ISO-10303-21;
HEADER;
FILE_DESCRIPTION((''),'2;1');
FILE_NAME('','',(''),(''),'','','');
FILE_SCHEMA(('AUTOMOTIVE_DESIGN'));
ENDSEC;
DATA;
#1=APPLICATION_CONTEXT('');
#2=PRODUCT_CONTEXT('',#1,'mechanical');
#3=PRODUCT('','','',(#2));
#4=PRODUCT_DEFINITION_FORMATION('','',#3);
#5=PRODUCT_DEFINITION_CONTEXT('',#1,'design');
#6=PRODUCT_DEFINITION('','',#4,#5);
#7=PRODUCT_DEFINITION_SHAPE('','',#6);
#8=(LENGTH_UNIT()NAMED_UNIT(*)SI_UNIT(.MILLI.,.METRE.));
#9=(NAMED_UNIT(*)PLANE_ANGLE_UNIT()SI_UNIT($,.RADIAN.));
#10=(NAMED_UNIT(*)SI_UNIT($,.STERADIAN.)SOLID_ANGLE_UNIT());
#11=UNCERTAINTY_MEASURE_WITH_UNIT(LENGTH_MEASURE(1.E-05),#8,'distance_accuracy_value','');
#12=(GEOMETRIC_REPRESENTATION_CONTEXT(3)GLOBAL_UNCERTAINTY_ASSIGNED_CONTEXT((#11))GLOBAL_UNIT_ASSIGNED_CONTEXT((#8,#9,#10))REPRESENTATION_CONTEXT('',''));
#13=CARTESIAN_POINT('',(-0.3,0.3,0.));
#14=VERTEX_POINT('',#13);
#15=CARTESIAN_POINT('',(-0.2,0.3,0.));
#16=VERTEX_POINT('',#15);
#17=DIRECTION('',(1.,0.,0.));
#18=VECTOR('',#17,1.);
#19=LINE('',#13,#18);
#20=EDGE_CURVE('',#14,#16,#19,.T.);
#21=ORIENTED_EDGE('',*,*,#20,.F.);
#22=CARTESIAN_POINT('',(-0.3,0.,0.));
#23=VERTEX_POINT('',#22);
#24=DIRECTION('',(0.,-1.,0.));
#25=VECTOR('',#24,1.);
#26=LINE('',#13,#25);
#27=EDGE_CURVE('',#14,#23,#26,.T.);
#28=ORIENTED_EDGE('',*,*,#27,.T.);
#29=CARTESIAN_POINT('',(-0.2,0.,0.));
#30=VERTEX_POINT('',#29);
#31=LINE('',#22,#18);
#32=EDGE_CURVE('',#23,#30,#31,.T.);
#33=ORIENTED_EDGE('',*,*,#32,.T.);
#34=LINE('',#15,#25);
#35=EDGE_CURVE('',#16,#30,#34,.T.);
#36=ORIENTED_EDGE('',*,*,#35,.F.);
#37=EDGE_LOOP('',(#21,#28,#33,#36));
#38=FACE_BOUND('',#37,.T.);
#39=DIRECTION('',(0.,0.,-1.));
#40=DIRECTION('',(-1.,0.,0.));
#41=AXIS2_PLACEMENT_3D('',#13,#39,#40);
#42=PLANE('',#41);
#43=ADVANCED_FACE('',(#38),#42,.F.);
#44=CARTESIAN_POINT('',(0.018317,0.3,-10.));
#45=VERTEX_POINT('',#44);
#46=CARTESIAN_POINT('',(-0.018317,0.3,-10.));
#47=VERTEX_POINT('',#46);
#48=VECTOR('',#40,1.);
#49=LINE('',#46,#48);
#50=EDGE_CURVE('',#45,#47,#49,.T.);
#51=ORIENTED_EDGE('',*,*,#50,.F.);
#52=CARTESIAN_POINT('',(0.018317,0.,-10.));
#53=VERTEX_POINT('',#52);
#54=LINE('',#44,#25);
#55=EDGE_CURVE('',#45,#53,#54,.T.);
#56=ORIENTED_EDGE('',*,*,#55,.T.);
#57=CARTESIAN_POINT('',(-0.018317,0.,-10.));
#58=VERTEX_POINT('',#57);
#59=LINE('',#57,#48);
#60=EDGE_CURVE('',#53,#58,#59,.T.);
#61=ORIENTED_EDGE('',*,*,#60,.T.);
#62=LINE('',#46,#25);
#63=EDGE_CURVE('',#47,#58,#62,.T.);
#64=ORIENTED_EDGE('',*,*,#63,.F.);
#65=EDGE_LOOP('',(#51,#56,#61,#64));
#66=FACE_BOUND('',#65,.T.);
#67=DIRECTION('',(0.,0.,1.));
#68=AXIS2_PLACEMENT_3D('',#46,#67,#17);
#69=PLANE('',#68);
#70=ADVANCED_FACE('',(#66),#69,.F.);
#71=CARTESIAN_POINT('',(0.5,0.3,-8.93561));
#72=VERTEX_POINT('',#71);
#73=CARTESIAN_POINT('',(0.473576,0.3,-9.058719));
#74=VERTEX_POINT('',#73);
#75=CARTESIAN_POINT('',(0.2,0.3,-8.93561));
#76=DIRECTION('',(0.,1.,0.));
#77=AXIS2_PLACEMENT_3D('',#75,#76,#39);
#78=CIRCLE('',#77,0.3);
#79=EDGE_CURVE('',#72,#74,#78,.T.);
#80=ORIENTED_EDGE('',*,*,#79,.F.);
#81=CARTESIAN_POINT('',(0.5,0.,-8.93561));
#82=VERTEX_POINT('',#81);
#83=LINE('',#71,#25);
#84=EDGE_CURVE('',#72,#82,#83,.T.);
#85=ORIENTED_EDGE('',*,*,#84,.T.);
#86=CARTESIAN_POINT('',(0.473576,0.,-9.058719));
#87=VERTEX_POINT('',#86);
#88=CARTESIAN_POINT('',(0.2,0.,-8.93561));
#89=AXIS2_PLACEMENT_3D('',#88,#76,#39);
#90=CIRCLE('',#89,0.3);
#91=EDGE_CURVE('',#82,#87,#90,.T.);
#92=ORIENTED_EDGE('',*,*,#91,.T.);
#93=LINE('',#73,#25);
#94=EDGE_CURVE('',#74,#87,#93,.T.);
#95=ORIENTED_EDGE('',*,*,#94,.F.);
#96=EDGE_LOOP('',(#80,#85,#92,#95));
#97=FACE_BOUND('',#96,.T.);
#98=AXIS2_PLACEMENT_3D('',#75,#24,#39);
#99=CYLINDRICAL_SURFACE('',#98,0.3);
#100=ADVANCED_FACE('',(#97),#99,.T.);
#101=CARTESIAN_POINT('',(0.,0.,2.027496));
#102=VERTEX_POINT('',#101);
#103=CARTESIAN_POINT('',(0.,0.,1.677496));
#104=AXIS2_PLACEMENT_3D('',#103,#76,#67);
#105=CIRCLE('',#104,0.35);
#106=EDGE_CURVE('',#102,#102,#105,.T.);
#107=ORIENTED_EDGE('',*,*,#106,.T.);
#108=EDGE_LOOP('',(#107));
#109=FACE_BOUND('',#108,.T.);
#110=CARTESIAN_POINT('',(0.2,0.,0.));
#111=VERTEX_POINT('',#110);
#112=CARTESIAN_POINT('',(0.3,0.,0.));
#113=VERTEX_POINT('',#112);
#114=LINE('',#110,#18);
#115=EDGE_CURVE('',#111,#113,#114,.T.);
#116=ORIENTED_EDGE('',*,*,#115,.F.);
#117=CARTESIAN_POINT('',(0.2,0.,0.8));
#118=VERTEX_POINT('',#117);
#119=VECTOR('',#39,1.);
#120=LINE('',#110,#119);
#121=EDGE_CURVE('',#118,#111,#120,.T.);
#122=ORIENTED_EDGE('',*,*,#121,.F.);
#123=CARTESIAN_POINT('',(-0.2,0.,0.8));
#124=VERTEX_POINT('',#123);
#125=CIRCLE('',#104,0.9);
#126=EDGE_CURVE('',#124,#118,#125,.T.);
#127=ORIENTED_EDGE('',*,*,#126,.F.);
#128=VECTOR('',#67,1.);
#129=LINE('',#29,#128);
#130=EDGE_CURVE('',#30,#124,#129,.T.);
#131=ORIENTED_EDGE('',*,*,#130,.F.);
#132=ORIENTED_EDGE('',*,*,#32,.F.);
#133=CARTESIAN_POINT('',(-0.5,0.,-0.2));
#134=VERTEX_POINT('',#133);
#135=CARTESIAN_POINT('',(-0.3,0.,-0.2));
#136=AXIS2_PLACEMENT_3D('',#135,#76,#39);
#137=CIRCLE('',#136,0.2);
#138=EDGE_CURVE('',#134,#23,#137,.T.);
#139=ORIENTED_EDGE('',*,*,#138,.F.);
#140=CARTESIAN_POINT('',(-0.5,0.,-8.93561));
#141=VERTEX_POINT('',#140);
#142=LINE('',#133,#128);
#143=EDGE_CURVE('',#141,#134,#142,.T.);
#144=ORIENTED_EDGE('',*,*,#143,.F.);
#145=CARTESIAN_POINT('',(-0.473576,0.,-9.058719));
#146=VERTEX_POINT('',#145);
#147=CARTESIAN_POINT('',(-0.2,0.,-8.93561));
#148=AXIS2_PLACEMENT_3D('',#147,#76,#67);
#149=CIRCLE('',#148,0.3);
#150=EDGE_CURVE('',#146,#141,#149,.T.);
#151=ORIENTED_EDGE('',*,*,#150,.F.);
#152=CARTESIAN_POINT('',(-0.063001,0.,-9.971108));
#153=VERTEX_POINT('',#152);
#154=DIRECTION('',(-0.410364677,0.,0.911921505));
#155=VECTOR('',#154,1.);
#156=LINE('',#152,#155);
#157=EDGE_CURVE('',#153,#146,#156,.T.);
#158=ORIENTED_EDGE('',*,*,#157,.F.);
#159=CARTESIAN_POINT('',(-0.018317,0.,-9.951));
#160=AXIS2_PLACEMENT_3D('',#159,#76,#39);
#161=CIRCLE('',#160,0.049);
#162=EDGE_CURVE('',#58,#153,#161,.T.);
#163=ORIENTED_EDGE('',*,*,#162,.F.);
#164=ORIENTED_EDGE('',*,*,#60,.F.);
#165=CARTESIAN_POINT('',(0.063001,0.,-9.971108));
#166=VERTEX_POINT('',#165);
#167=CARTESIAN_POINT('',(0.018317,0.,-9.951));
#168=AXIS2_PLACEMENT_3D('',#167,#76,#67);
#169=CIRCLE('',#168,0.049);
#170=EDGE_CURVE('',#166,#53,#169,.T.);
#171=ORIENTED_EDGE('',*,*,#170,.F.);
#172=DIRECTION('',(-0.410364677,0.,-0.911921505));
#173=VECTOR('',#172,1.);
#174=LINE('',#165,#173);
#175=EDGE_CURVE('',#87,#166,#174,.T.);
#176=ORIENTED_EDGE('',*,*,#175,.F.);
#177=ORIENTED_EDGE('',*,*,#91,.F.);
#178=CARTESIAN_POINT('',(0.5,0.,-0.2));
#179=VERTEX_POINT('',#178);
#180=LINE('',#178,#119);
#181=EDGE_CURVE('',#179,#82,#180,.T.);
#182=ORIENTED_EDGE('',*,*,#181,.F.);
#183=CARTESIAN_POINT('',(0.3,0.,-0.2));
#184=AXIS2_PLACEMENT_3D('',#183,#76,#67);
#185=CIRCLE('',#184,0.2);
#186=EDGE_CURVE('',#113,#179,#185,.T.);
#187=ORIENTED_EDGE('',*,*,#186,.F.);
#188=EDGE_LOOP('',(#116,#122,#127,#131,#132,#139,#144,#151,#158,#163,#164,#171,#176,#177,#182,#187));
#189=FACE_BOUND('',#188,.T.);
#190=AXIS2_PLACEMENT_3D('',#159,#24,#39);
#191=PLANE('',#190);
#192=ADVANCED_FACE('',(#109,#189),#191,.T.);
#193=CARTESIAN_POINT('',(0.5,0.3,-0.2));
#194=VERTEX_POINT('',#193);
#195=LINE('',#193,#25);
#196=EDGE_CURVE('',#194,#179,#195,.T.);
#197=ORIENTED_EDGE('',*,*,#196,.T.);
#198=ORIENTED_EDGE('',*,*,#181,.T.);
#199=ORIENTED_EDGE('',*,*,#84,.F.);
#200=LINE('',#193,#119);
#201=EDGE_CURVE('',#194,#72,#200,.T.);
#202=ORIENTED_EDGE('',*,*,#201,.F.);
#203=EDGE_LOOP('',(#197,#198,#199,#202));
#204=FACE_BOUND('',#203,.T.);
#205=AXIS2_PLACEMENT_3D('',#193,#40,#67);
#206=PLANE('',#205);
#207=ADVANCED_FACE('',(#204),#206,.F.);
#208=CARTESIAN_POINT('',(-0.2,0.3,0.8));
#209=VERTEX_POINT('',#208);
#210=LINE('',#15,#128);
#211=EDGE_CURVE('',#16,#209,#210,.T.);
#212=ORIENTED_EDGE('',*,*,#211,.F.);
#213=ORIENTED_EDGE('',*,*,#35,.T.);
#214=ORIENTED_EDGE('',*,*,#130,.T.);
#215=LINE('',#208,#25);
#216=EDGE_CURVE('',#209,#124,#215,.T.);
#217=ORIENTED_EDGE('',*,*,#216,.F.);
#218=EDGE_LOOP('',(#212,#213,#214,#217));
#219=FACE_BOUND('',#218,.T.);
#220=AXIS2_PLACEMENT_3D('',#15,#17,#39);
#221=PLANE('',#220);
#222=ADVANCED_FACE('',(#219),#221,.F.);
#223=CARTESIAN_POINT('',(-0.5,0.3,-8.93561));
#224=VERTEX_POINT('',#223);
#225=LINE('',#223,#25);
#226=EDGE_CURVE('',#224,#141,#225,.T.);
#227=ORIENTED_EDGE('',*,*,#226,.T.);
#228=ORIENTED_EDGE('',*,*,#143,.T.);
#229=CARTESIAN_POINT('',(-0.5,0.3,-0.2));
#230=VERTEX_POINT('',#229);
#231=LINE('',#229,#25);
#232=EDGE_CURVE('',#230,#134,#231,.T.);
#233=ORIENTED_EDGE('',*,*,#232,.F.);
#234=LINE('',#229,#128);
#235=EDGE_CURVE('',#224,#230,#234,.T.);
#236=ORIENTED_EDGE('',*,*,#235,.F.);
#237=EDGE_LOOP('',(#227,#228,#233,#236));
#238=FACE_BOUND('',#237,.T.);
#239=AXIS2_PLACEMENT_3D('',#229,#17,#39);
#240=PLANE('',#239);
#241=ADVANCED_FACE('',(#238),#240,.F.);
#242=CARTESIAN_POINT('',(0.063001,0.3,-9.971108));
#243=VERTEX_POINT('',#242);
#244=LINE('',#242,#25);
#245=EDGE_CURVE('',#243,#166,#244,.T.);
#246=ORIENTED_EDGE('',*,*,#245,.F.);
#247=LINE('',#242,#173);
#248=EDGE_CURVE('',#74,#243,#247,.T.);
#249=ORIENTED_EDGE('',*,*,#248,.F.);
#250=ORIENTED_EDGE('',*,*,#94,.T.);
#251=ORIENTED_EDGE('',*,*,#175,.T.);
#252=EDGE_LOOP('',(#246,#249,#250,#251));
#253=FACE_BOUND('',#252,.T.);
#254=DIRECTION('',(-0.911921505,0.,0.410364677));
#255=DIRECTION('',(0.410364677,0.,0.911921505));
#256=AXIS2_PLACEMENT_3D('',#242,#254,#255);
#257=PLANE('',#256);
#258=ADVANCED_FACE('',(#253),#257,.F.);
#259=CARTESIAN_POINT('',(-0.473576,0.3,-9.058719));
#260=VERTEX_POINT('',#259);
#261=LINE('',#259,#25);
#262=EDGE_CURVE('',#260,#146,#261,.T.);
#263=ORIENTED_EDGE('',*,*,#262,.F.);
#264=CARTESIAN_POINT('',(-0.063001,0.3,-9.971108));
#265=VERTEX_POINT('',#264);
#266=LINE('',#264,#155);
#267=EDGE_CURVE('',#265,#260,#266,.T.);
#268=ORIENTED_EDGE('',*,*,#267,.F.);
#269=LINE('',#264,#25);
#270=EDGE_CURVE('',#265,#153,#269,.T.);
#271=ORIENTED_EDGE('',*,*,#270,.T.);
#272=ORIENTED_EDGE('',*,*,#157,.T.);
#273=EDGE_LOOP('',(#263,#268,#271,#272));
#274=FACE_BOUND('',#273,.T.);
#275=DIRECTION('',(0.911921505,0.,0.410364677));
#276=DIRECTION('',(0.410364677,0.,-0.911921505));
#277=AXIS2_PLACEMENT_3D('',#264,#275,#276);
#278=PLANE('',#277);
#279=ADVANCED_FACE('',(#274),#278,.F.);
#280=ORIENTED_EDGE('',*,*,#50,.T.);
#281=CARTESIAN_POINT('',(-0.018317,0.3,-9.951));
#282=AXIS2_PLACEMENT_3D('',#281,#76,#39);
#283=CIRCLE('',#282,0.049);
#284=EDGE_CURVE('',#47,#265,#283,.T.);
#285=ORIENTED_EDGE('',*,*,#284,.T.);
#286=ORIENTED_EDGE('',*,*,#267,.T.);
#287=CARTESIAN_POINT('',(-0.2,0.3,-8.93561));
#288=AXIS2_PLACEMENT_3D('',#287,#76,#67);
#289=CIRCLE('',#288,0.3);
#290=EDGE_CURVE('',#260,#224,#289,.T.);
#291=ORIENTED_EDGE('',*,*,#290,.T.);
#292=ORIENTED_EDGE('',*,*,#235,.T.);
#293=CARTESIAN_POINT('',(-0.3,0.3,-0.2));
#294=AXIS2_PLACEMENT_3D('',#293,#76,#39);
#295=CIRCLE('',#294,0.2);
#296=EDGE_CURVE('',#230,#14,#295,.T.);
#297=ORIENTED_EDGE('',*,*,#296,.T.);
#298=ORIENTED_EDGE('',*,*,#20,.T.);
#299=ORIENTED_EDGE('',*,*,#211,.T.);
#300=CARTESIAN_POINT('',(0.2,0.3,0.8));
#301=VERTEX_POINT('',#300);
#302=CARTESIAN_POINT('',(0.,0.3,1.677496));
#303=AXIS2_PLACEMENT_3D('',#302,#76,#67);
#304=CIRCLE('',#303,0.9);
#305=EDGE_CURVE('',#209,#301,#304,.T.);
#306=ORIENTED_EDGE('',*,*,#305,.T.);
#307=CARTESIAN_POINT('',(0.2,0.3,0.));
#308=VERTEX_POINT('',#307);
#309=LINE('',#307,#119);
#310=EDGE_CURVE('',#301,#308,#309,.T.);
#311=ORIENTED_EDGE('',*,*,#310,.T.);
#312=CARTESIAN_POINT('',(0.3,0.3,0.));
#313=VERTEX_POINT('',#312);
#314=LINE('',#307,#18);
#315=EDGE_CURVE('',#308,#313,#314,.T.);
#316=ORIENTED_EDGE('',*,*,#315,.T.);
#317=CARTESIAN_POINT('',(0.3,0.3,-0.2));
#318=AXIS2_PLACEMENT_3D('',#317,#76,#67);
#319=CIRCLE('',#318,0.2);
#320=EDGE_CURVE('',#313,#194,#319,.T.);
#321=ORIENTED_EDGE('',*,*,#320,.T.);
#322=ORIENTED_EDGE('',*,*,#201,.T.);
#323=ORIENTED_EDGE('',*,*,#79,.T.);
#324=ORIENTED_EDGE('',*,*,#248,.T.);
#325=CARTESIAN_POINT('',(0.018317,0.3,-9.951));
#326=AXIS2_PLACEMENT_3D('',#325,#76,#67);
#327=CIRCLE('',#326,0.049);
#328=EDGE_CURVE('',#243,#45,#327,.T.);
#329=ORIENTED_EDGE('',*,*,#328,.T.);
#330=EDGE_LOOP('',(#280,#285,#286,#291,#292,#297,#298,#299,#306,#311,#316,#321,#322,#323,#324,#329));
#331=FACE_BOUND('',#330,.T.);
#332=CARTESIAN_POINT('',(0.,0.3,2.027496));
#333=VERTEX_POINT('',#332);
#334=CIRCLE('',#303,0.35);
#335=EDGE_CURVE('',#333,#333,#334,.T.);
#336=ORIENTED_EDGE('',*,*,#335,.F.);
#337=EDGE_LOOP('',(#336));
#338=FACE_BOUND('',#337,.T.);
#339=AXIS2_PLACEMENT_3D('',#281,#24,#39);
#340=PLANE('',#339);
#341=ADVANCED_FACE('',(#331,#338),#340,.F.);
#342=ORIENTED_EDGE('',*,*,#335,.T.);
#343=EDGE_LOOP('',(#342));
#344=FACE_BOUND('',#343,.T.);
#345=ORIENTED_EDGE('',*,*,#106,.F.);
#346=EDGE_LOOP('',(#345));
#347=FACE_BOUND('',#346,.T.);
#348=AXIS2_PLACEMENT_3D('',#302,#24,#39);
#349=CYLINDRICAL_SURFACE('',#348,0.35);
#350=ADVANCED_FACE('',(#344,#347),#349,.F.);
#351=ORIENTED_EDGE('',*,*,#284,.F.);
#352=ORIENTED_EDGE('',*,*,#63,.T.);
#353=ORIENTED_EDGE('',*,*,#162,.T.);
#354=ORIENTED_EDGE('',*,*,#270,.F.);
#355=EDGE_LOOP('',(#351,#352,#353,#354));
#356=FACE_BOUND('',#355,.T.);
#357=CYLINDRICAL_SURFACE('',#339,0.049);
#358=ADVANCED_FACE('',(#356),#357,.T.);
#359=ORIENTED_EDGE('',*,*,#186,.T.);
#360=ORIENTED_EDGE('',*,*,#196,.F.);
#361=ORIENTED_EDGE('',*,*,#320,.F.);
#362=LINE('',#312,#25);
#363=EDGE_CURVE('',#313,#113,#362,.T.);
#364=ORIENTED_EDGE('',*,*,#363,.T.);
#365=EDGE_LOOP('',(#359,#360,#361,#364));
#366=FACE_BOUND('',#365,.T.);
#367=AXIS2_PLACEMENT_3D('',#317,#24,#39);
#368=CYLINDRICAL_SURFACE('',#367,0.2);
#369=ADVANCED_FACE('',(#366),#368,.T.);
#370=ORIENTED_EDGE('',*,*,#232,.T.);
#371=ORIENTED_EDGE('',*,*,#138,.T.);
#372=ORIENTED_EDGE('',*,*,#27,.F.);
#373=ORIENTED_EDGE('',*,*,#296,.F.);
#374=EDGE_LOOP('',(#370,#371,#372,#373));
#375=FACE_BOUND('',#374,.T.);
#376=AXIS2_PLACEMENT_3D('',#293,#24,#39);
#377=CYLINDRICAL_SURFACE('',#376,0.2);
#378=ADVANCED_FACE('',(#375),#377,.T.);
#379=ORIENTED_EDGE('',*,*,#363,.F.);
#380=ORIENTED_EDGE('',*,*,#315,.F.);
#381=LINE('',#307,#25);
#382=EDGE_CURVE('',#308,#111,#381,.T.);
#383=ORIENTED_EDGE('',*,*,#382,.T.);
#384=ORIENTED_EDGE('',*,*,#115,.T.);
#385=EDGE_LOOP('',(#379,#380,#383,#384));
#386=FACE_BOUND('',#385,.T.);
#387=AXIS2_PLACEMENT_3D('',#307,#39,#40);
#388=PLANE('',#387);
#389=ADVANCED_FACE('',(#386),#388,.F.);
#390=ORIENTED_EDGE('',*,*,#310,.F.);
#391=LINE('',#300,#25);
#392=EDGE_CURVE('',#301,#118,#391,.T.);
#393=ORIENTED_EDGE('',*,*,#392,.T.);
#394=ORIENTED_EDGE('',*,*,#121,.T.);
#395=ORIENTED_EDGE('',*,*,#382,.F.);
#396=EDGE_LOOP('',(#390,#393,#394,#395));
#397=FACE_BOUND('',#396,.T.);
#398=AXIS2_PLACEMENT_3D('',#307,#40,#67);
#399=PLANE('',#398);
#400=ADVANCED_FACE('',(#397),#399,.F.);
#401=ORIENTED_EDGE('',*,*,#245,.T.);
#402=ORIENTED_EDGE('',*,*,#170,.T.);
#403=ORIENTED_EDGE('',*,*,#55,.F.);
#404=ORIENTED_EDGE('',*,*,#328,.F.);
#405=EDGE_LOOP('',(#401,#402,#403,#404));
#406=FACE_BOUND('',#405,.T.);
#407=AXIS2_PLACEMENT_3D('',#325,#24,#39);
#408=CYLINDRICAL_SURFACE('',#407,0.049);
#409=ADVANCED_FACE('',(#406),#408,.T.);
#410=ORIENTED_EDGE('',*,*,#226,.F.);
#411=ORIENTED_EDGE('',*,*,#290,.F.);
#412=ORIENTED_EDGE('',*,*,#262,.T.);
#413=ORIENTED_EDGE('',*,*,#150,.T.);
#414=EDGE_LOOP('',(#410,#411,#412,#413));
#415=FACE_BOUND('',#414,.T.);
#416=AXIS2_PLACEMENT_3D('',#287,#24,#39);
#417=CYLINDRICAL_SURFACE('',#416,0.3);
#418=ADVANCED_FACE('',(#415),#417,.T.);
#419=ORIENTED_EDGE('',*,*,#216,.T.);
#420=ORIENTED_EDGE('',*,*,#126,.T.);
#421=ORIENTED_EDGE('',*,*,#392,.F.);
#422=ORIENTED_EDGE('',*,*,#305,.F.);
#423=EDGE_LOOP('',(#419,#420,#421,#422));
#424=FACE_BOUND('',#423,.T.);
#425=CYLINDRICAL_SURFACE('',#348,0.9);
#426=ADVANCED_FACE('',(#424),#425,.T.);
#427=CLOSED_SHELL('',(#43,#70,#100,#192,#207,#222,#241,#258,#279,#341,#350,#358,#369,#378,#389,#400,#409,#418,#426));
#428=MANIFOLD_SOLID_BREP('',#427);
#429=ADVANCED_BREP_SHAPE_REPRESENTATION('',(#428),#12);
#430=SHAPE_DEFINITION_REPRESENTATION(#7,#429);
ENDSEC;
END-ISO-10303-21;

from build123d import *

# Parameters (mm, degrees)
SKETCH1_R           = 0.35
BOSS_EXTRUDE1_DEPTH = 0.3


with BuildPart() as part:
    # Sketch1 → Boss-Extrude1 (new body)
    with BuildSketch(Plane(origin=(0, 0, 0), x_dir=(1, 0, 0), z_dir=(0, 1, 0))):
        with BuildLine():
            Line((0.063001459, 9.971107869), (0.473576452, 9.058718997))
            ThreePointArc((0.473576452, 9.058718997), (0.493319736, 8.998566184), (0.5, 8.935609593))
            Line((0.5, 8.935609593), (0.5, 0.2))
            ThreePointArc((0.5, 0.2), (0.441421356, 0.058578644), (0.3, 0))
            Line((0.3, 0), (0.2, 0))
            Line((0.2, 0), (0.2, -0.8))
            ThreePointArc((0.2, -0.8), (0, -2.577496439), (-0.2, -0.8))
            Line((-0.2, -0.8), (-0.2, 0))
            Line((-0.2, 0), (-0.3, 0))
            ThreePointArc((-0.3, 0), (-0.441421356, 0.058578644), (-0.5, 0.2))
            Line((-0.5, 0.2), (-0.5, 8.935609593))
            ThreePointArc((-0.5, 8.935609593), (-0.493319736, 8.998566184), (-0.473576452, 9.058718997))
            Line((-0.473576452, 9.058718997), (-0.063001459, 9.971107869))
            ThreePointArc((-0.063001459, 9.971107869), (-0.044922891, 9.992147816), (-0.018317305, 10))
            Line((-0.018317305, 10), (0.018317305, 10))
            ThreePointArc((0.018317305, 10), (0.044922891, 9.992147816), (0.063001459, 9.971107869))
        make_face()
        with Locations((0, -1.677496439)):
            Circle(SKETCH1_R, mode=Mode.SUBTRACT)
    extrude(amount=BOSS_EXTRUDE1_DEPTH)


solid = part.part
